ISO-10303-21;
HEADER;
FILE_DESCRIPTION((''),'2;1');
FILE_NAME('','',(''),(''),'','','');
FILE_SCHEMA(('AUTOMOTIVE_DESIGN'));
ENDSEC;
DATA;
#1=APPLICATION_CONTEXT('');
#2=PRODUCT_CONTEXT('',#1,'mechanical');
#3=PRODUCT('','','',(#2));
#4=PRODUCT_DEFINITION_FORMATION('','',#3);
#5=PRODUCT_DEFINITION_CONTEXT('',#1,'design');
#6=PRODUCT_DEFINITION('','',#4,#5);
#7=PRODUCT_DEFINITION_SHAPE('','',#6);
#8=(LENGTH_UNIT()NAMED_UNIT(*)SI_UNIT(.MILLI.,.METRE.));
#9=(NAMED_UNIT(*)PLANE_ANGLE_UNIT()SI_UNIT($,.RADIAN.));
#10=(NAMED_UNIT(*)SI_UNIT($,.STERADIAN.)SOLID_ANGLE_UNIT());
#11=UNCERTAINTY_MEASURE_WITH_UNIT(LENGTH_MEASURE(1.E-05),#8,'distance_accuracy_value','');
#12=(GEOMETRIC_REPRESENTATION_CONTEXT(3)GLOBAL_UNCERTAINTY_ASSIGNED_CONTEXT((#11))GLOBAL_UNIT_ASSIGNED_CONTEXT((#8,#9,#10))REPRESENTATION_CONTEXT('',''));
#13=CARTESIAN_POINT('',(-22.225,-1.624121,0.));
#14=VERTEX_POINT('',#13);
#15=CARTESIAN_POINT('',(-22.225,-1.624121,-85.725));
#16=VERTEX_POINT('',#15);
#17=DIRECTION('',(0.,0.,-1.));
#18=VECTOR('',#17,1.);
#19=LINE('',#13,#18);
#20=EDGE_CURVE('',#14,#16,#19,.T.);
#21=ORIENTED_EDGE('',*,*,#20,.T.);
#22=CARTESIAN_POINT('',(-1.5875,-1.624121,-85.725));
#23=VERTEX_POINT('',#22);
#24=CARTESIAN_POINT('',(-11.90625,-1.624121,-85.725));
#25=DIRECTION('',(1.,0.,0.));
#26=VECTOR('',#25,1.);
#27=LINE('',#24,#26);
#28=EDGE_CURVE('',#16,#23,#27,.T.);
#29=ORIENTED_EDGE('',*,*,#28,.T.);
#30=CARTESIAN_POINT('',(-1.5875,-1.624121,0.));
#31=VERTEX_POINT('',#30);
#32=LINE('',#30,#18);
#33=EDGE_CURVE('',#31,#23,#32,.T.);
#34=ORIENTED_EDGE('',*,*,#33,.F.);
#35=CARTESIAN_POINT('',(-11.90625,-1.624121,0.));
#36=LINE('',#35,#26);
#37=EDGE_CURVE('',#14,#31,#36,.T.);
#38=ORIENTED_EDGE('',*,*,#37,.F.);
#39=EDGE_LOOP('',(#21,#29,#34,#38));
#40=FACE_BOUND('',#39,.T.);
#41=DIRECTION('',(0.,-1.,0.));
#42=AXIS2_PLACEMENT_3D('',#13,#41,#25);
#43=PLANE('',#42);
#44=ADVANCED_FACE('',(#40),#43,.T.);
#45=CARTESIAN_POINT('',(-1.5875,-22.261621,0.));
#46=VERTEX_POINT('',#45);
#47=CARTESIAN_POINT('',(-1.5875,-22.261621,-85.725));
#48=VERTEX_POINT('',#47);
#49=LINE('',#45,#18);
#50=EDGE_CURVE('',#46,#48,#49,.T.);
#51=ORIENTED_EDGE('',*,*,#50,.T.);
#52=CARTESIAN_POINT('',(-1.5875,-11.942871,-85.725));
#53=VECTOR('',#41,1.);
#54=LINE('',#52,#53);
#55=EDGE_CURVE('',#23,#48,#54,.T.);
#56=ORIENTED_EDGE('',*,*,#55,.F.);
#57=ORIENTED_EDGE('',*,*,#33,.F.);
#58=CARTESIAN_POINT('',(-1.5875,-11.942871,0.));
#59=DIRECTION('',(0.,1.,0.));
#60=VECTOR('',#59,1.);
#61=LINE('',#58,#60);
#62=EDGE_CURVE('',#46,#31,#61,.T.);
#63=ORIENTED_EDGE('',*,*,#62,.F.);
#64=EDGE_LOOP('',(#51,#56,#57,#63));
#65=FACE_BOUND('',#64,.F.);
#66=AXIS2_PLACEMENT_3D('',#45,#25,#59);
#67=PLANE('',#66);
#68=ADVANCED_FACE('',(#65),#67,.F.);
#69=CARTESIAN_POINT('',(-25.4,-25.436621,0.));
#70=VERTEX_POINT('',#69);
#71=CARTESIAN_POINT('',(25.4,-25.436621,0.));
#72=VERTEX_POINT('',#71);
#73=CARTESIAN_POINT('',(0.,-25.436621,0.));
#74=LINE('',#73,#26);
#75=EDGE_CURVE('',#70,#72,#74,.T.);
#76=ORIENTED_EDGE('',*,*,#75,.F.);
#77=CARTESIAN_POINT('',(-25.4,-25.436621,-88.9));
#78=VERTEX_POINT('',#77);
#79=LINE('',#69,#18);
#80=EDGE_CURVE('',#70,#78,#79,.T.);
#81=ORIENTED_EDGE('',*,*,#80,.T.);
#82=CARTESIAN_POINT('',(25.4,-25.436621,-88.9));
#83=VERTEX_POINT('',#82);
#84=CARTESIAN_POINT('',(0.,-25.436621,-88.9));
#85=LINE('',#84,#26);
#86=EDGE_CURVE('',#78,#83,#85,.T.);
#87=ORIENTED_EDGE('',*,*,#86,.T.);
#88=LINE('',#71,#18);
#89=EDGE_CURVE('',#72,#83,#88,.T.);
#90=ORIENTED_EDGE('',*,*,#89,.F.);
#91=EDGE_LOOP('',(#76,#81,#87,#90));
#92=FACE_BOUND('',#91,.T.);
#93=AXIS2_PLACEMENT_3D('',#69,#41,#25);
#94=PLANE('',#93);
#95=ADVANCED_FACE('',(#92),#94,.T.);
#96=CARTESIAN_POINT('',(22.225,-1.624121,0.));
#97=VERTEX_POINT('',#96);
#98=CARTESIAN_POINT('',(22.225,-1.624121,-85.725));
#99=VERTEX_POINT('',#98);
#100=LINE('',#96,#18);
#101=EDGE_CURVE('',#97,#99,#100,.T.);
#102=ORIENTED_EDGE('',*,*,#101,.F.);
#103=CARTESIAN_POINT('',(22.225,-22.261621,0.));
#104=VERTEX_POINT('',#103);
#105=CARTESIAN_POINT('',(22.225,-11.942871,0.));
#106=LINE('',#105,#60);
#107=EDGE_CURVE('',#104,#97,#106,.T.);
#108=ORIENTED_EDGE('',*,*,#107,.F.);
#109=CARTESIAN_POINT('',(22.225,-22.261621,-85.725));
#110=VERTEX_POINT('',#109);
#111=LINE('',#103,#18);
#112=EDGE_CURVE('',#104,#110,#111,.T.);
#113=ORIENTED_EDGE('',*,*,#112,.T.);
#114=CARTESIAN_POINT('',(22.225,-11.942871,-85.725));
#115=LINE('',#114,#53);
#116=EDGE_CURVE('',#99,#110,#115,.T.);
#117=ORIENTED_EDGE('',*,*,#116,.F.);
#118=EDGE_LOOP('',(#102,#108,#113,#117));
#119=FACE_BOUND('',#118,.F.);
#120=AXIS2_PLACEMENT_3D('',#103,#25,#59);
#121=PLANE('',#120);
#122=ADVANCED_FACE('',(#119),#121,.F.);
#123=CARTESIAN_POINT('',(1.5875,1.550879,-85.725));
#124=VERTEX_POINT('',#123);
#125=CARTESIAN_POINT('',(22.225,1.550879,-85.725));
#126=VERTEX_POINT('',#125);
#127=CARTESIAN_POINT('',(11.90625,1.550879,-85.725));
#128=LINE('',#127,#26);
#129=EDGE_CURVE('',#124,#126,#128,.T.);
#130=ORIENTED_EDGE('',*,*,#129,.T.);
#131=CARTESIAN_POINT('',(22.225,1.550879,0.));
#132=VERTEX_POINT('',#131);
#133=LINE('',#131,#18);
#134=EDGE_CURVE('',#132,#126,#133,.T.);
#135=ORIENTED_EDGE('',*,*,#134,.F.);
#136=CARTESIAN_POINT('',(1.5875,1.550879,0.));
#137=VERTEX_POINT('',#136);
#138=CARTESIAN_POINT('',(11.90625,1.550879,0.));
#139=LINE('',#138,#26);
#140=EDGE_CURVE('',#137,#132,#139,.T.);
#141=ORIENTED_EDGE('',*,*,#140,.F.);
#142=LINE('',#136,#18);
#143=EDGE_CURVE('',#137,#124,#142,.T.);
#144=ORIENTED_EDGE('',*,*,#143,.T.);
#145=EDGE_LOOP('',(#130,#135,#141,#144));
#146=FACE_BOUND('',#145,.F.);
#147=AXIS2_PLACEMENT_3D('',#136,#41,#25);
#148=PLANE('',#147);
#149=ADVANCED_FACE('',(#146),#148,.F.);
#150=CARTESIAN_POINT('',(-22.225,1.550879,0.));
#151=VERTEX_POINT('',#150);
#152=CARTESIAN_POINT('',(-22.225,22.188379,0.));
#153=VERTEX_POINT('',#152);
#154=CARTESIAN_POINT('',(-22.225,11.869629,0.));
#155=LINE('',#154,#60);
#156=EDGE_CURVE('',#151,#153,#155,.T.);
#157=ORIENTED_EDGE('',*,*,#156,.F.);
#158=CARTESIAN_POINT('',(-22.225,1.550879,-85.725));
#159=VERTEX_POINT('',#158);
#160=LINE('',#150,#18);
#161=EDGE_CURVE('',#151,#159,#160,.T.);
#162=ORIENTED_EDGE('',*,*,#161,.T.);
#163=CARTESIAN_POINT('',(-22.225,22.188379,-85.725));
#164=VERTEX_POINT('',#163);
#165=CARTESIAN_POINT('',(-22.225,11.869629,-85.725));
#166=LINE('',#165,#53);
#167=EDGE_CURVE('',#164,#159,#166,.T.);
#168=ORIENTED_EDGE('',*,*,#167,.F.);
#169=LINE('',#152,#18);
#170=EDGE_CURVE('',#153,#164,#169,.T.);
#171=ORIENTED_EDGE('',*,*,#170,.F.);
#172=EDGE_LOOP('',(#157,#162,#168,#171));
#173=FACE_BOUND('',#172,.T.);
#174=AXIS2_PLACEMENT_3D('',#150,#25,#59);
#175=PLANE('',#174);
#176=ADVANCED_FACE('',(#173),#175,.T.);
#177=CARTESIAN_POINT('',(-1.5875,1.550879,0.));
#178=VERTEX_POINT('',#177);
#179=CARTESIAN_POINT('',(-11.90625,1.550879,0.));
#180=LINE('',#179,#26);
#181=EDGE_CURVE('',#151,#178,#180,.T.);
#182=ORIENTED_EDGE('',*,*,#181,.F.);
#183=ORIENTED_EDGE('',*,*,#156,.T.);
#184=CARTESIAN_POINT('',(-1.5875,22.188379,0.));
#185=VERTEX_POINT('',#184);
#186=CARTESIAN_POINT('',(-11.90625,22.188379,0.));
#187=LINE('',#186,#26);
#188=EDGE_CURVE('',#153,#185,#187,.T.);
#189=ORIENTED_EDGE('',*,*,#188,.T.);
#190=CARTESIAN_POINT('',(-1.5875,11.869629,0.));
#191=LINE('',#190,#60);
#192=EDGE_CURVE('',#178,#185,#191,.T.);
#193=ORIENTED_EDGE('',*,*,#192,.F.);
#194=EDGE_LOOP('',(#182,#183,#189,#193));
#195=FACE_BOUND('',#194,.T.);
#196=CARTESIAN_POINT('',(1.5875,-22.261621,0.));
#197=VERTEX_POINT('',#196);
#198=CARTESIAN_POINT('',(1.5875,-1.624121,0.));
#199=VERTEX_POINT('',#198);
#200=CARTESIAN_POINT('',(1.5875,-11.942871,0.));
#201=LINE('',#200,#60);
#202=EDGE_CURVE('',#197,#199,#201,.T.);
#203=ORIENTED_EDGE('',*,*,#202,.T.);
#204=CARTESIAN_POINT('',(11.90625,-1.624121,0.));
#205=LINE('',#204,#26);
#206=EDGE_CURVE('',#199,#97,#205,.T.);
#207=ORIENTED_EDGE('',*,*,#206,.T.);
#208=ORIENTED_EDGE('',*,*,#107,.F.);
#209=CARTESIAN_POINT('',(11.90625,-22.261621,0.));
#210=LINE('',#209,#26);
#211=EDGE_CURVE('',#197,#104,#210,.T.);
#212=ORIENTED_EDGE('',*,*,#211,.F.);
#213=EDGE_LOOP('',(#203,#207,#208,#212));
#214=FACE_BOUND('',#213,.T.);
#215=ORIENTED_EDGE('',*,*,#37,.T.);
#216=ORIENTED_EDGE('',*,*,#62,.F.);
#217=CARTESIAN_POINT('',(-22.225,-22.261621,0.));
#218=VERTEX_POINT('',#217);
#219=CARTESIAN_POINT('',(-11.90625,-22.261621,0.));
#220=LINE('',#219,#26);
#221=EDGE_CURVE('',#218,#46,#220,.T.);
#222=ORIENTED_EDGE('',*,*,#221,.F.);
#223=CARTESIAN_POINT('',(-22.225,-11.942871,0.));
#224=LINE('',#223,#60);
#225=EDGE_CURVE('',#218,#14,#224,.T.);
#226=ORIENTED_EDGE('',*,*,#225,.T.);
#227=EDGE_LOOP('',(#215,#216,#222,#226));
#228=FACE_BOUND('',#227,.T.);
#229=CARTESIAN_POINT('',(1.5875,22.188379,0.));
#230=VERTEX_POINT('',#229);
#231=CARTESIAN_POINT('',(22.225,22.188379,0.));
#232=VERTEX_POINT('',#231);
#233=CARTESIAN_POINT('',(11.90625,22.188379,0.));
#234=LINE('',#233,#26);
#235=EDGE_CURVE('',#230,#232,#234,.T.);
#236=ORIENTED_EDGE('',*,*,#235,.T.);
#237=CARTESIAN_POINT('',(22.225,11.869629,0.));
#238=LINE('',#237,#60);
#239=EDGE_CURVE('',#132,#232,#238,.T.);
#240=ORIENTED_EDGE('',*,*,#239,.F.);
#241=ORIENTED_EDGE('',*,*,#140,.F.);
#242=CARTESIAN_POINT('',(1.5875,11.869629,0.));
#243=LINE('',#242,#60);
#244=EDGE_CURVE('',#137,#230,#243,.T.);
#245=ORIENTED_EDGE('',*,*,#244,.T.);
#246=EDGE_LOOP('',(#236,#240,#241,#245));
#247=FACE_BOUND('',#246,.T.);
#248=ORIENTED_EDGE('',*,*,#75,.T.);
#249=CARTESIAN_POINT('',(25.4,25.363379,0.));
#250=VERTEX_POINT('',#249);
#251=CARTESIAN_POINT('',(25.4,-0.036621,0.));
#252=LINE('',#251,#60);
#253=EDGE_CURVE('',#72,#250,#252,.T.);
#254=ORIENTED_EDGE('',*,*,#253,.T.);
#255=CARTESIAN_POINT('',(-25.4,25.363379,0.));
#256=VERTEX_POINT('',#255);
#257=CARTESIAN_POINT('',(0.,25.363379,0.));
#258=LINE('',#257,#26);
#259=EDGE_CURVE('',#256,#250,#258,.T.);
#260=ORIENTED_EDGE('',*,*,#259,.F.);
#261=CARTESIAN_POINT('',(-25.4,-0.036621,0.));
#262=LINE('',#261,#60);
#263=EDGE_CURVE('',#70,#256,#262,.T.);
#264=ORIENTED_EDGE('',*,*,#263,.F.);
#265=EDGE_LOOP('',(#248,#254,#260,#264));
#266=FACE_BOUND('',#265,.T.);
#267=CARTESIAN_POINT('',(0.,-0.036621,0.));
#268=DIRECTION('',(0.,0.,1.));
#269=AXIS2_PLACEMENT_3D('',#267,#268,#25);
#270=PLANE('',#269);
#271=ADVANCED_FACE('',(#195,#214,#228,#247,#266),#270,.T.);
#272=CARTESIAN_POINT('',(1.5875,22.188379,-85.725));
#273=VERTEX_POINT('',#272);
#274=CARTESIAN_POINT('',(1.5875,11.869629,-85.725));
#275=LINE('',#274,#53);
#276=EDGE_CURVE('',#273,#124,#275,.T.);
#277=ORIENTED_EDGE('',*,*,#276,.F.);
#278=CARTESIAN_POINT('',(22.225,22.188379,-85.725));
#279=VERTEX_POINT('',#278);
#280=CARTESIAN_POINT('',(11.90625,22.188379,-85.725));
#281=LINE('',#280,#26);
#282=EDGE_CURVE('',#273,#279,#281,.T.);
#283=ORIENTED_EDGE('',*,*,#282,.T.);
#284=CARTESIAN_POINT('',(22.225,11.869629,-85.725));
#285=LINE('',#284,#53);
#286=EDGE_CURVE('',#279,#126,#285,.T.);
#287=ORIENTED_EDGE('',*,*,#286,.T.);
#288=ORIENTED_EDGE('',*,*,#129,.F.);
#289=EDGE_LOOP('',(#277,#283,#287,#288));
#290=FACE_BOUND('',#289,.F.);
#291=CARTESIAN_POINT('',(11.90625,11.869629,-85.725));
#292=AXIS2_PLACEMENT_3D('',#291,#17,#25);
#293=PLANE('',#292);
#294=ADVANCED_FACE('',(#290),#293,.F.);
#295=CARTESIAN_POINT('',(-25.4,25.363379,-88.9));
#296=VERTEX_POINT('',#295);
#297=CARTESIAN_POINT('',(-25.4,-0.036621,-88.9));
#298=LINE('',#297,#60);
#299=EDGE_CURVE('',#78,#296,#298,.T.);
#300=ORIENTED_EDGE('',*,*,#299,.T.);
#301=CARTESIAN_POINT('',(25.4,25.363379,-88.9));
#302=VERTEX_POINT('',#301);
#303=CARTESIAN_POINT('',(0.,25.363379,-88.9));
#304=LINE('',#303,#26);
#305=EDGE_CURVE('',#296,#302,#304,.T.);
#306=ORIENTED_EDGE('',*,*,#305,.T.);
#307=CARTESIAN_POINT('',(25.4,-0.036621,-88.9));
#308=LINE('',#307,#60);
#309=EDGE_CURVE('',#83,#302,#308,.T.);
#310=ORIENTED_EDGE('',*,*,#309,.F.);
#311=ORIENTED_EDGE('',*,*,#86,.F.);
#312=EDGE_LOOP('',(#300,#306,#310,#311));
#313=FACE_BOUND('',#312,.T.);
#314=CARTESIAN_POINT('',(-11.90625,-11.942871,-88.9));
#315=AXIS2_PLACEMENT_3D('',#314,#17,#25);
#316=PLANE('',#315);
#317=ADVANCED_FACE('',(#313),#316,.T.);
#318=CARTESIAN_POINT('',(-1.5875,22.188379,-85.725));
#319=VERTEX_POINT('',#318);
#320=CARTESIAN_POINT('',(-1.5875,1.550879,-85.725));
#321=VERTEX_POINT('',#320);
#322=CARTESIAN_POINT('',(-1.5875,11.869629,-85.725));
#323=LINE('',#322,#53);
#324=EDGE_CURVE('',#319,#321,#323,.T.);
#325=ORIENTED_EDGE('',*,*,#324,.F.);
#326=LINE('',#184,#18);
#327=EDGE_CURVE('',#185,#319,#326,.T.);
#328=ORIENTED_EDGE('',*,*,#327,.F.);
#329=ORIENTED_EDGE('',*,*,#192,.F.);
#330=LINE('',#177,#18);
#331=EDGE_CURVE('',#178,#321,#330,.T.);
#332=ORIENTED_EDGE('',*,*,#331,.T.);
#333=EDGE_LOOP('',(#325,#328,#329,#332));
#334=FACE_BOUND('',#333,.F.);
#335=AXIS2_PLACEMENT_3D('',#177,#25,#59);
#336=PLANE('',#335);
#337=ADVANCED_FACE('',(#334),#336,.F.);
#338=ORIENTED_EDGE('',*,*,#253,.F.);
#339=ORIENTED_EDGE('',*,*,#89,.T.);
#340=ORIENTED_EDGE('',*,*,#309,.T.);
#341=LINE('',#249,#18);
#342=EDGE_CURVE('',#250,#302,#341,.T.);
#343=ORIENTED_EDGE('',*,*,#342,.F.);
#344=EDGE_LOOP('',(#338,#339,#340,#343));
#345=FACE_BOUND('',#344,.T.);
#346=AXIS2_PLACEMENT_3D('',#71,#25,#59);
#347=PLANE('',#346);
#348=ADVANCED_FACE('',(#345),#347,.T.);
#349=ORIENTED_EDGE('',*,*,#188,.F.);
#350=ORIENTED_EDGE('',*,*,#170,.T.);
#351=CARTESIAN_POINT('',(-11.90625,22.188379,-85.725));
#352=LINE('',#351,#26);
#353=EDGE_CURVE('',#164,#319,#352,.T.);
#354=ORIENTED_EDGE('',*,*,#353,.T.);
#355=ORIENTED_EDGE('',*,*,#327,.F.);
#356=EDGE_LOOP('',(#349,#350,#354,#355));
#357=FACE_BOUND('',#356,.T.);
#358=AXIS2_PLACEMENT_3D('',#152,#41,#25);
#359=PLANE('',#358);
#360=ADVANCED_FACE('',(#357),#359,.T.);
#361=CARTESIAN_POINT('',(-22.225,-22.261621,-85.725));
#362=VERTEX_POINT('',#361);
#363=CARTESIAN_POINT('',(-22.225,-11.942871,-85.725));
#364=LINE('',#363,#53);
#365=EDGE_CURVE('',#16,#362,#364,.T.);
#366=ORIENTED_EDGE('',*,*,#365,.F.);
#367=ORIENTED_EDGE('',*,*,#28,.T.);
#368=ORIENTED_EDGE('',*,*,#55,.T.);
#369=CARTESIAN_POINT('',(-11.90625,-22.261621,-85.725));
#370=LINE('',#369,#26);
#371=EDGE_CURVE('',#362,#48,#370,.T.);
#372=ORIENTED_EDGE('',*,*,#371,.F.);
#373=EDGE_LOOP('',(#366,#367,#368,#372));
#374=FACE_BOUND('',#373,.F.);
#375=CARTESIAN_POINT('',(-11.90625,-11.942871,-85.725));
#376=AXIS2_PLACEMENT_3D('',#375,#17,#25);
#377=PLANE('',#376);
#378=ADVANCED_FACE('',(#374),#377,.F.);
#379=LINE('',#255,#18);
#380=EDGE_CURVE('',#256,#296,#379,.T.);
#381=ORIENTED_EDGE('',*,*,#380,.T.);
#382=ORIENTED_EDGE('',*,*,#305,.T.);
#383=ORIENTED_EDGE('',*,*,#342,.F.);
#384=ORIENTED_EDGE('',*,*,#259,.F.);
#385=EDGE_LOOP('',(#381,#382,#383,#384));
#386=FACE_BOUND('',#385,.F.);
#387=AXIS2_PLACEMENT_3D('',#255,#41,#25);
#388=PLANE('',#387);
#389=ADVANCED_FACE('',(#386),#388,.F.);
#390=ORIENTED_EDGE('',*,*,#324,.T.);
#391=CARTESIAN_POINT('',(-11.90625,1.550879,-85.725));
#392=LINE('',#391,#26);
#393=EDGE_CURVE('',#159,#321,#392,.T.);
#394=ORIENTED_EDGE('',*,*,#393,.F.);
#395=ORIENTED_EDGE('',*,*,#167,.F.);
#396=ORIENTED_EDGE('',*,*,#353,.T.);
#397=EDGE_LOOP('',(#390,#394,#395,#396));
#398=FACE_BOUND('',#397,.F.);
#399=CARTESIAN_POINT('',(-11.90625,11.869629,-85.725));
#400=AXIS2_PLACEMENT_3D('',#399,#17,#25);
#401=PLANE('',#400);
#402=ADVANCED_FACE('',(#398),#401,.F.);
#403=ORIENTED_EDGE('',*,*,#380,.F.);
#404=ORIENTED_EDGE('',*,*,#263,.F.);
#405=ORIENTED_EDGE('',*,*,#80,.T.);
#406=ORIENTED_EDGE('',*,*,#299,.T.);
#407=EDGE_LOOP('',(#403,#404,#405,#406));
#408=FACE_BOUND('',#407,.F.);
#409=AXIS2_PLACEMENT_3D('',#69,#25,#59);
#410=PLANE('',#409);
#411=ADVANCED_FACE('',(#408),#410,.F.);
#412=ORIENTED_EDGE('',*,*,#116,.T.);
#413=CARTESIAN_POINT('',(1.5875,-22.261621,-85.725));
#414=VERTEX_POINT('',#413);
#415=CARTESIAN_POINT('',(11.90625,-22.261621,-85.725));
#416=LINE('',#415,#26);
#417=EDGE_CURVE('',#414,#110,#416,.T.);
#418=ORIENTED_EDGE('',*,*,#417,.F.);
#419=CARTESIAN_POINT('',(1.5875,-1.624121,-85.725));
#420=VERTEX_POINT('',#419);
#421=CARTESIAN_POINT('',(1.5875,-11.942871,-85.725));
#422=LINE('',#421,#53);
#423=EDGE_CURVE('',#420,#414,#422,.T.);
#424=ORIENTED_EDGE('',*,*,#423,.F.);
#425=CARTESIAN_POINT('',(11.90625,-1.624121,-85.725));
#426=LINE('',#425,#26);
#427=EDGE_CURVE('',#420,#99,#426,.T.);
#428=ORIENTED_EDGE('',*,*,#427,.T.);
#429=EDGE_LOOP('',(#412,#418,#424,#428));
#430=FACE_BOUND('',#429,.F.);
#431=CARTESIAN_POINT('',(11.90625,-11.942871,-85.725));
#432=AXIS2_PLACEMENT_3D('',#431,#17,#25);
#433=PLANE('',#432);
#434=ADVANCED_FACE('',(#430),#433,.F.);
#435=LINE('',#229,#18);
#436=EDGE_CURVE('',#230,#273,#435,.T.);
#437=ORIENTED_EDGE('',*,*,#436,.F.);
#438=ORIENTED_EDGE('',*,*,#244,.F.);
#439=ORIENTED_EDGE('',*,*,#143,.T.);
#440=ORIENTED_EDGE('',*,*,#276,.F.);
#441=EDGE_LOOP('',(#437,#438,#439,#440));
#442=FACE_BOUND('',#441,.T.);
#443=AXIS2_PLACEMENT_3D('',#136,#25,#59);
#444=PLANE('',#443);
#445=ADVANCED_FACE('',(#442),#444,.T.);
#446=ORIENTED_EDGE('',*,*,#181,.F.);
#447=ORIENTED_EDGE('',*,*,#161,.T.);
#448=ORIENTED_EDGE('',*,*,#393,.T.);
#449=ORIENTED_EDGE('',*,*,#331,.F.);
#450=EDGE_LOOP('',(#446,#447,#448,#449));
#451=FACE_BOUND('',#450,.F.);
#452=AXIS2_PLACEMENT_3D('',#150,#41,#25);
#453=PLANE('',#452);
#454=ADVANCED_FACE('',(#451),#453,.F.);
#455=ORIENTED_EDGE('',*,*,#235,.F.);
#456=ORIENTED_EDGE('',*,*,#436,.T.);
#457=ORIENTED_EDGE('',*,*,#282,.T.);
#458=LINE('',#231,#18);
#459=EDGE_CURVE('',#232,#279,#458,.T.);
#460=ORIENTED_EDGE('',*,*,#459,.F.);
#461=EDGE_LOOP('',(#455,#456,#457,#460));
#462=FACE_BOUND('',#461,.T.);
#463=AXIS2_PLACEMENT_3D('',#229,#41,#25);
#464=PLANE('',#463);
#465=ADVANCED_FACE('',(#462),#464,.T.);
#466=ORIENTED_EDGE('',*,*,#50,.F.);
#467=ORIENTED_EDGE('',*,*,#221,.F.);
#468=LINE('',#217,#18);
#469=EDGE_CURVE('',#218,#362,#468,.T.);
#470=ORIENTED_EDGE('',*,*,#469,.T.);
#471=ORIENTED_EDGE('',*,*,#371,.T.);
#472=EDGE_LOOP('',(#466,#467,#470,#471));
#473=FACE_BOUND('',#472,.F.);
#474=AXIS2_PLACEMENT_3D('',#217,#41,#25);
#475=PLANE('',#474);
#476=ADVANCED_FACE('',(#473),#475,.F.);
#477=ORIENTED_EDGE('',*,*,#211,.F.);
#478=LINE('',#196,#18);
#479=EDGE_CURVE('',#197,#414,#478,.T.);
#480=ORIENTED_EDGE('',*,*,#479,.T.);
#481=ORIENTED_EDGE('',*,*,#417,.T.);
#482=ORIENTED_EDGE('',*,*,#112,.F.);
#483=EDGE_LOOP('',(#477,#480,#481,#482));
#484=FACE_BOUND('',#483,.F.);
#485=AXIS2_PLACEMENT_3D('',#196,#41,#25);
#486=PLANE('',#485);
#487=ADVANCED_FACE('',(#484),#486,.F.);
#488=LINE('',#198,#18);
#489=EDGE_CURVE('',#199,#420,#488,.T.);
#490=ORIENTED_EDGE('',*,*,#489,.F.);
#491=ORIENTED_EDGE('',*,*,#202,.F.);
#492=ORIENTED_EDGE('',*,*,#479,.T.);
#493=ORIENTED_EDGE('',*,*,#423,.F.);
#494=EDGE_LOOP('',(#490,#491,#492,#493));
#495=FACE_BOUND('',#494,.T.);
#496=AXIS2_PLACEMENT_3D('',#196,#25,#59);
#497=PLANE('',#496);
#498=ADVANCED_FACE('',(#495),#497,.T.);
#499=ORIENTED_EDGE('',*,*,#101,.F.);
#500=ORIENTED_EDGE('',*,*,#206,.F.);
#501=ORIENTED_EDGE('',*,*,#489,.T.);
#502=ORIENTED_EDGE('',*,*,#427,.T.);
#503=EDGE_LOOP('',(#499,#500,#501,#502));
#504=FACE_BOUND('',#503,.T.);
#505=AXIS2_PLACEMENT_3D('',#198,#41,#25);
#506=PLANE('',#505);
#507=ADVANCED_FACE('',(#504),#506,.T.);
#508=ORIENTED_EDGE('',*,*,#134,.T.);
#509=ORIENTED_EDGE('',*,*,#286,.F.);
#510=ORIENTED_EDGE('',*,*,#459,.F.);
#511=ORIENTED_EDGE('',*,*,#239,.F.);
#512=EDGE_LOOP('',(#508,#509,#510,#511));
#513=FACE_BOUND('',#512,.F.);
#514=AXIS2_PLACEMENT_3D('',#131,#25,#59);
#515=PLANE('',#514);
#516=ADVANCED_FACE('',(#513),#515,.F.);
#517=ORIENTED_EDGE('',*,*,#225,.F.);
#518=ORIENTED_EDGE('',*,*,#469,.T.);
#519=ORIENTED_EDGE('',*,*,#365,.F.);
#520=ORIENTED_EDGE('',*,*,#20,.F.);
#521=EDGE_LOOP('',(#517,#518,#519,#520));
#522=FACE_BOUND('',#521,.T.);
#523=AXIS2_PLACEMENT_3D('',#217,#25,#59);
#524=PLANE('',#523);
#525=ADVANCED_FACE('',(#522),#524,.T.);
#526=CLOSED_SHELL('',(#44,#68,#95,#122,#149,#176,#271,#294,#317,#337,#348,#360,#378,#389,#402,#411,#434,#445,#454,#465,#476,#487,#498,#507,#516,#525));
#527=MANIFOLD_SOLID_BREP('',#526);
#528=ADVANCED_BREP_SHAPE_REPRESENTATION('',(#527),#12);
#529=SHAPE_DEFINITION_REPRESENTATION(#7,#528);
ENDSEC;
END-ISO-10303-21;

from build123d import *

# Parameters (mm, degrees)
F0_W     = 50.8
F0_H     = 50.8
F0_W_2   = 20.6375
F0_H_2   = 20.6375
F1_DEPTH = 88.9
F2_W     = 20.6375
F2_H     = 20.6375
F3_DEPTH = 3.175


with BuildPart() as f1:
    # F0 (on Top) → F1 (new body)
    with BuildSketch(Plane.XY):
        with Locations((0, -0.03662125)):
            Rectangle(F0_W, F0_H)
        with Locations((-11.90625, -11.94287125)):
            Rectangle(F0_W_2, F0_H_2, mode=Mode.SUBTRACT)
        with Locations((11.90625, -11.94287125)):
            Rectangle(F0_W_2, F0_H_2, mode=Mode.SUBTRACT)
        with Locations((-11.90625, 11.86962875)):
            Rectangle(F0_W_2, F0_H_2, mode=Mode.SUBTRACT)
        with Locations((11.90625, 11.86962875)):
            Rectangle(F0_W_2, F0_H_2, mode=Mode.SUBTRACT)
    extrude(amount=-F1_DEPTH)

    # F2 (on face) → F3 (join)
    with BuildSketch(Plane(origin=(0, 0, -88.9), x_dir=(1, 0, 0), z_dir=(0, 0, -1))):
        with Locations((-11.90625, 11.94287125)):
            Rectangle(F2_W, F2_H)
        with Locations((11.90625, 11.94287125)):
            Rectangle(F2_W, F2_H)
        with Locations((11.90625, -11.86962875)):
            Rectangle(F2_W, F2_H)
        with Locations((-11.90625, -11.86962875)):
            Rectangle(F2_W, F2_H)
    extrude(amount=-F3_DEPTH)


solid = f1.part
